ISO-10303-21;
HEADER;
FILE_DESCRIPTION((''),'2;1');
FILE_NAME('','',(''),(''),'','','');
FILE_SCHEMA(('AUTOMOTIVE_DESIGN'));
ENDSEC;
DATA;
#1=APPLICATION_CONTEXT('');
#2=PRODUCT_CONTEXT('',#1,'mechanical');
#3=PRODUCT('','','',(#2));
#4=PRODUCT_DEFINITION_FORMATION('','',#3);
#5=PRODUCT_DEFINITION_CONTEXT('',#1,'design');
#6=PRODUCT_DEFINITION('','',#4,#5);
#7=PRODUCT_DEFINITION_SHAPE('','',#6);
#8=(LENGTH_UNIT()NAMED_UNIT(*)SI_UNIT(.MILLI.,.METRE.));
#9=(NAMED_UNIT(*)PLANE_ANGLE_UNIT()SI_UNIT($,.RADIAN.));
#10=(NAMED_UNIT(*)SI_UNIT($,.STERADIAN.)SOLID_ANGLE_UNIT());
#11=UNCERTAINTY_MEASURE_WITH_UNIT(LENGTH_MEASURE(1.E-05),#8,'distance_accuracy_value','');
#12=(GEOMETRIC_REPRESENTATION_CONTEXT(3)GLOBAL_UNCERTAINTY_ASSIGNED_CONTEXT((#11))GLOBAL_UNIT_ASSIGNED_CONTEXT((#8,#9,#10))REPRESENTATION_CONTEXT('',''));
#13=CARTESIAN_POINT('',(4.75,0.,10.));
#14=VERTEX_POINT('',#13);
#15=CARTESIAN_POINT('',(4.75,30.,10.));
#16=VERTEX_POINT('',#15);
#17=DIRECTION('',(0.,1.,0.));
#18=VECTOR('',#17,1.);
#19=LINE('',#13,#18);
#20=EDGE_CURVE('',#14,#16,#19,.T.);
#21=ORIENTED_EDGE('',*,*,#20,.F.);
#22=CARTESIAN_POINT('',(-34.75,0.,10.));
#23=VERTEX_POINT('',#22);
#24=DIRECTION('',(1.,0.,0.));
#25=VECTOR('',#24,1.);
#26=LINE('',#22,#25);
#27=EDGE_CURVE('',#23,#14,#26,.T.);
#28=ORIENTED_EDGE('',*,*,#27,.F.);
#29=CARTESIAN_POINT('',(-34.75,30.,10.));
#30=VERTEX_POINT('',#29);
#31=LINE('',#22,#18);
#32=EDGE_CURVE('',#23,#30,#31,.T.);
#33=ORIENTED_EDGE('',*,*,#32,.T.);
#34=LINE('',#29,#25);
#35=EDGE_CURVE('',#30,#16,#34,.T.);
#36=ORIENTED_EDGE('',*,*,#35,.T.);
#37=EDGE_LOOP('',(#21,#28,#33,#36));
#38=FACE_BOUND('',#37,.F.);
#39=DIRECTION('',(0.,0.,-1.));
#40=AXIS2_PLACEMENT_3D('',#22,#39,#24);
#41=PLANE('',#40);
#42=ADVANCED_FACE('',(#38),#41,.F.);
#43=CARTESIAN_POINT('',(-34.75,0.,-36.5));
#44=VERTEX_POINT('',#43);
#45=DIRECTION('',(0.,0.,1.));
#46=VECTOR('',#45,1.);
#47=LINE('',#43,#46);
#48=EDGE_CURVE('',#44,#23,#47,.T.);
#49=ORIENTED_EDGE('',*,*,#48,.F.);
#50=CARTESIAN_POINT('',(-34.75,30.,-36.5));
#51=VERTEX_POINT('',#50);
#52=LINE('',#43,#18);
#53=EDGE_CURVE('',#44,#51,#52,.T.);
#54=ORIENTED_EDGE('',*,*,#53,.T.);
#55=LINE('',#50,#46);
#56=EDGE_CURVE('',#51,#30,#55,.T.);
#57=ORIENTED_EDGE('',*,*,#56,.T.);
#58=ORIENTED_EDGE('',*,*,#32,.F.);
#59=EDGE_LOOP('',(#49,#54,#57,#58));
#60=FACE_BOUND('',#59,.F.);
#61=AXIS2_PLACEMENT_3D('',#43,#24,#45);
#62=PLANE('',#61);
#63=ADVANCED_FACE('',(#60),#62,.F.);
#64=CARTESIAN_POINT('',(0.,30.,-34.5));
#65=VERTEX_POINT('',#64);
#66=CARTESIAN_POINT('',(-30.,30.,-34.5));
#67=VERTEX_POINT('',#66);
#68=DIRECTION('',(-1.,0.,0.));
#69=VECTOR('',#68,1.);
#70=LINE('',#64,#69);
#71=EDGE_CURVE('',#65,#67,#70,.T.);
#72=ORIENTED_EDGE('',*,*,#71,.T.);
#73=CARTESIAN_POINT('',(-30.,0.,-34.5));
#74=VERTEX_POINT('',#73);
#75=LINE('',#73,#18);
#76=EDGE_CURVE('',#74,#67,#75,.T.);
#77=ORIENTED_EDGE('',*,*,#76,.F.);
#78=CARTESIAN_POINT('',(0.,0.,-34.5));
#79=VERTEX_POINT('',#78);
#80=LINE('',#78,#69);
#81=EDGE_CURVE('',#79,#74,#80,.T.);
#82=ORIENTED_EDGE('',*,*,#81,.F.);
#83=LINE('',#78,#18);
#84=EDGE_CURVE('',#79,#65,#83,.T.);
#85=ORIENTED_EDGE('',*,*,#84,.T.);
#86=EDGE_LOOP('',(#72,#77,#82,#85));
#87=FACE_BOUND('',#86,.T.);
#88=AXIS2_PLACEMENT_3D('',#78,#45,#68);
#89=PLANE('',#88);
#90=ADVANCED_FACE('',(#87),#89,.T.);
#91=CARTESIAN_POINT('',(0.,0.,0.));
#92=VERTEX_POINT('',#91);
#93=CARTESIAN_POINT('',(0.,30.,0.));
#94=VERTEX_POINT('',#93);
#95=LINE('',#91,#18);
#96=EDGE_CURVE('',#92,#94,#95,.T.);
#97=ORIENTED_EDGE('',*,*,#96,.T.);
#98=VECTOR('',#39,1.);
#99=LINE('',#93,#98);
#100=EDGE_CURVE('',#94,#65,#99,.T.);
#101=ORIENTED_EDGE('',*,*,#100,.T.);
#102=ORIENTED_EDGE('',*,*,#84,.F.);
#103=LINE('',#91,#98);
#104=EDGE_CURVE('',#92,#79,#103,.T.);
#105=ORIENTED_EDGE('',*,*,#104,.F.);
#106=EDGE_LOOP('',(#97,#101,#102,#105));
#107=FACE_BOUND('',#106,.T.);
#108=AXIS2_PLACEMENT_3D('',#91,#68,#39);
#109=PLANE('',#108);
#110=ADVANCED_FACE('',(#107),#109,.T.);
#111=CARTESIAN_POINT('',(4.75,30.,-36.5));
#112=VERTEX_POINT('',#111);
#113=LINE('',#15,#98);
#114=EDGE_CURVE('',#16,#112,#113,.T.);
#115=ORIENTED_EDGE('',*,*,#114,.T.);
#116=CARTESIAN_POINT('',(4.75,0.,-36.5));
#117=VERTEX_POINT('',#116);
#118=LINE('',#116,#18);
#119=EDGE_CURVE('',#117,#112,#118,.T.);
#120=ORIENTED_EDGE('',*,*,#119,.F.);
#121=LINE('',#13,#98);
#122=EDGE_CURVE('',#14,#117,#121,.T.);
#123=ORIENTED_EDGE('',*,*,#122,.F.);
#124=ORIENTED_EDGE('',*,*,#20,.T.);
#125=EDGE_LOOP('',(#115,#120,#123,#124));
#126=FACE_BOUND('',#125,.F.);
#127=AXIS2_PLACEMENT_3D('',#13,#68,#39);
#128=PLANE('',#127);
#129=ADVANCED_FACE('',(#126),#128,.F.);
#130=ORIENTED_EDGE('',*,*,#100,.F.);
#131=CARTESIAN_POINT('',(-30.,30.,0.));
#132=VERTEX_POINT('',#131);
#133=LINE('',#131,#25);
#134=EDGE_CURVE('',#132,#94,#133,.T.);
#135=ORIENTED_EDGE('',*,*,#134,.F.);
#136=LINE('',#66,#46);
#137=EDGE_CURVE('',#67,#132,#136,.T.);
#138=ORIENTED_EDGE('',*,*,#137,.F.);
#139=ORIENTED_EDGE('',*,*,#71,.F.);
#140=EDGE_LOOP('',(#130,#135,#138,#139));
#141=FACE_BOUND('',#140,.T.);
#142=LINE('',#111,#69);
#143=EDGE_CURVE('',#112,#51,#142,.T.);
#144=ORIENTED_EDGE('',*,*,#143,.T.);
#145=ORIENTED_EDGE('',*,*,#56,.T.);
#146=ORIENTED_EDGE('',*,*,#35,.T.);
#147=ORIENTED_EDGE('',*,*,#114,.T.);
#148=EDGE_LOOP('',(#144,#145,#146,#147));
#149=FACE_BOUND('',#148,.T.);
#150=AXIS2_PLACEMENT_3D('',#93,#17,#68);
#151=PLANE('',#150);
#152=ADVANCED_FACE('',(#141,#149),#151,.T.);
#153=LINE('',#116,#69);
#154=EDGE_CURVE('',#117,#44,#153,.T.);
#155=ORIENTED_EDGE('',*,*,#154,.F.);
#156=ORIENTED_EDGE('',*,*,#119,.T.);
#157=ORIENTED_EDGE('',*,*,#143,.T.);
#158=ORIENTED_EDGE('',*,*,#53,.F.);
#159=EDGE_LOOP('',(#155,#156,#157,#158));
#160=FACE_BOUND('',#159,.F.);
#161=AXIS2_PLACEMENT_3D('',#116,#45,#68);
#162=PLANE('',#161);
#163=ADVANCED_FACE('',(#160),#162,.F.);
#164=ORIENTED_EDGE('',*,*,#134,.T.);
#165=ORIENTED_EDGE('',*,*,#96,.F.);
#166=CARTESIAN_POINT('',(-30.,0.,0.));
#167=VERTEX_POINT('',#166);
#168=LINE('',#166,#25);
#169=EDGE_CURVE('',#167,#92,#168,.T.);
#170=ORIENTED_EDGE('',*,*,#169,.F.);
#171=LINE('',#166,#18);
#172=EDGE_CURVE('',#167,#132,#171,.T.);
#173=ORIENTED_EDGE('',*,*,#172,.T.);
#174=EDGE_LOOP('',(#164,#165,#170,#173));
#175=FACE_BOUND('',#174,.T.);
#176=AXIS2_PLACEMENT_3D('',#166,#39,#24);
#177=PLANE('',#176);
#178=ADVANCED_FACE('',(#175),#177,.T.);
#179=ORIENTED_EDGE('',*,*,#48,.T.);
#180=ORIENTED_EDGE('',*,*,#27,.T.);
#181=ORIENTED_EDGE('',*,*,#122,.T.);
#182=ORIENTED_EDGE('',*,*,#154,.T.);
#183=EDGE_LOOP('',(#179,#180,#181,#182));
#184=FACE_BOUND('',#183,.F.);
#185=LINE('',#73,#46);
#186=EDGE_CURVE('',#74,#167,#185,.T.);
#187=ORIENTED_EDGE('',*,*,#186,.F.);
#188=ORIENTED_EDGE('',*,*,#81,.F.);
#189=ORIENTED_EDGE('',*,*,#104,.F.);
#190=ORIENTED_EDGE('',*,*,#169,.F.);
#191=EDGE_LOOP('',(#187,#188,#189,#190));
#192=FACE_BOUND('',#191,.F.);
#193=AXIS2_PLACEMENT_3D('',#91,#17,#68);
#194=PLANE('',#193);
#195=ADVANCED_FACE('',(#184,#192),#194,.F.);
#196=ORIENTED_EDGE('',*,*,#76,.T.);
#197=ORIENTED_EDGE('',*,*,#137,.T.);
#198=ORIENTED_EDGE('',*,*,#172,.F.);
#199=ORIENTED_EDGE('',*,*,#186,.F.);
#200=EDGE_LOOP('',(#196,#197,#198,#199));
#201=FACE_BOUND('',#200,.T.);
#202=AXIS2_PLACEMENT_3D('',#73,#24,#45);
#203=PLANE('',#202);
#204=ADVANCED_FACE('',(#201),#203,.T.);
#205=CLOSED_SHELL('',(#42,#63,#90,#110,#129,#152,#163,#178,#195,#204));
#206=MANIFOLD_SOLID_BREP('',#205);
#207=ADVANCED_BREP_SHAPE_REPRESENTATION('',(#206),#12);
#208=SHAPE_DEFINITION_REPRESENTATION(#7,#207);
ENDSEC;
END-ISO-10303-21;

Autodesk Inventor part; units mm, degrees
ref_plane "YZ Plane" through (0, 0, 0) normal (1, 0, 0) x (0, 1, 0)
ref_plane "XZ Plane" through (0, 0, 0) normal (0, 1, 0) x (-1, 0, 0)
ref_plane "XY Plane" through (0, 0, 0) normal (0, 0, 1) x (1, 0, 0)
sketch "스케치1" plane through (0, 0, 0) normal (0, 1, 0) x (-1, 0, 0)
  line L0 (30, 0) -> (0, 0)
  line L1 (0, 0) -> (0, -34.5)
  line L2 (0, -34.5) -> (30, -34.5)
  line L3 (30, -34.5) -> (30, 0)
  line L4 (34.75, 10) -> (-4.75, 10)
  line L5 (-4.75, 10) -> (-4.75, -36.5)
  line L6 (-4.75, -36.5) -> (34.75, -36.5)
  line L7 (34.75, -36.5) -> (34.75, 10)
  point P0 (15, 0)
  dimension "d0" = 30
  dimension "d1" = 34.5
  dimension "d2" = 4.75
  dimension "d3" = 4.75
  dimension "d4" = 2
  dimension "d5" = 10
extrude "돌출1" add sketch "스케치1" along normal blind 30
properties part number "rack_supp"
